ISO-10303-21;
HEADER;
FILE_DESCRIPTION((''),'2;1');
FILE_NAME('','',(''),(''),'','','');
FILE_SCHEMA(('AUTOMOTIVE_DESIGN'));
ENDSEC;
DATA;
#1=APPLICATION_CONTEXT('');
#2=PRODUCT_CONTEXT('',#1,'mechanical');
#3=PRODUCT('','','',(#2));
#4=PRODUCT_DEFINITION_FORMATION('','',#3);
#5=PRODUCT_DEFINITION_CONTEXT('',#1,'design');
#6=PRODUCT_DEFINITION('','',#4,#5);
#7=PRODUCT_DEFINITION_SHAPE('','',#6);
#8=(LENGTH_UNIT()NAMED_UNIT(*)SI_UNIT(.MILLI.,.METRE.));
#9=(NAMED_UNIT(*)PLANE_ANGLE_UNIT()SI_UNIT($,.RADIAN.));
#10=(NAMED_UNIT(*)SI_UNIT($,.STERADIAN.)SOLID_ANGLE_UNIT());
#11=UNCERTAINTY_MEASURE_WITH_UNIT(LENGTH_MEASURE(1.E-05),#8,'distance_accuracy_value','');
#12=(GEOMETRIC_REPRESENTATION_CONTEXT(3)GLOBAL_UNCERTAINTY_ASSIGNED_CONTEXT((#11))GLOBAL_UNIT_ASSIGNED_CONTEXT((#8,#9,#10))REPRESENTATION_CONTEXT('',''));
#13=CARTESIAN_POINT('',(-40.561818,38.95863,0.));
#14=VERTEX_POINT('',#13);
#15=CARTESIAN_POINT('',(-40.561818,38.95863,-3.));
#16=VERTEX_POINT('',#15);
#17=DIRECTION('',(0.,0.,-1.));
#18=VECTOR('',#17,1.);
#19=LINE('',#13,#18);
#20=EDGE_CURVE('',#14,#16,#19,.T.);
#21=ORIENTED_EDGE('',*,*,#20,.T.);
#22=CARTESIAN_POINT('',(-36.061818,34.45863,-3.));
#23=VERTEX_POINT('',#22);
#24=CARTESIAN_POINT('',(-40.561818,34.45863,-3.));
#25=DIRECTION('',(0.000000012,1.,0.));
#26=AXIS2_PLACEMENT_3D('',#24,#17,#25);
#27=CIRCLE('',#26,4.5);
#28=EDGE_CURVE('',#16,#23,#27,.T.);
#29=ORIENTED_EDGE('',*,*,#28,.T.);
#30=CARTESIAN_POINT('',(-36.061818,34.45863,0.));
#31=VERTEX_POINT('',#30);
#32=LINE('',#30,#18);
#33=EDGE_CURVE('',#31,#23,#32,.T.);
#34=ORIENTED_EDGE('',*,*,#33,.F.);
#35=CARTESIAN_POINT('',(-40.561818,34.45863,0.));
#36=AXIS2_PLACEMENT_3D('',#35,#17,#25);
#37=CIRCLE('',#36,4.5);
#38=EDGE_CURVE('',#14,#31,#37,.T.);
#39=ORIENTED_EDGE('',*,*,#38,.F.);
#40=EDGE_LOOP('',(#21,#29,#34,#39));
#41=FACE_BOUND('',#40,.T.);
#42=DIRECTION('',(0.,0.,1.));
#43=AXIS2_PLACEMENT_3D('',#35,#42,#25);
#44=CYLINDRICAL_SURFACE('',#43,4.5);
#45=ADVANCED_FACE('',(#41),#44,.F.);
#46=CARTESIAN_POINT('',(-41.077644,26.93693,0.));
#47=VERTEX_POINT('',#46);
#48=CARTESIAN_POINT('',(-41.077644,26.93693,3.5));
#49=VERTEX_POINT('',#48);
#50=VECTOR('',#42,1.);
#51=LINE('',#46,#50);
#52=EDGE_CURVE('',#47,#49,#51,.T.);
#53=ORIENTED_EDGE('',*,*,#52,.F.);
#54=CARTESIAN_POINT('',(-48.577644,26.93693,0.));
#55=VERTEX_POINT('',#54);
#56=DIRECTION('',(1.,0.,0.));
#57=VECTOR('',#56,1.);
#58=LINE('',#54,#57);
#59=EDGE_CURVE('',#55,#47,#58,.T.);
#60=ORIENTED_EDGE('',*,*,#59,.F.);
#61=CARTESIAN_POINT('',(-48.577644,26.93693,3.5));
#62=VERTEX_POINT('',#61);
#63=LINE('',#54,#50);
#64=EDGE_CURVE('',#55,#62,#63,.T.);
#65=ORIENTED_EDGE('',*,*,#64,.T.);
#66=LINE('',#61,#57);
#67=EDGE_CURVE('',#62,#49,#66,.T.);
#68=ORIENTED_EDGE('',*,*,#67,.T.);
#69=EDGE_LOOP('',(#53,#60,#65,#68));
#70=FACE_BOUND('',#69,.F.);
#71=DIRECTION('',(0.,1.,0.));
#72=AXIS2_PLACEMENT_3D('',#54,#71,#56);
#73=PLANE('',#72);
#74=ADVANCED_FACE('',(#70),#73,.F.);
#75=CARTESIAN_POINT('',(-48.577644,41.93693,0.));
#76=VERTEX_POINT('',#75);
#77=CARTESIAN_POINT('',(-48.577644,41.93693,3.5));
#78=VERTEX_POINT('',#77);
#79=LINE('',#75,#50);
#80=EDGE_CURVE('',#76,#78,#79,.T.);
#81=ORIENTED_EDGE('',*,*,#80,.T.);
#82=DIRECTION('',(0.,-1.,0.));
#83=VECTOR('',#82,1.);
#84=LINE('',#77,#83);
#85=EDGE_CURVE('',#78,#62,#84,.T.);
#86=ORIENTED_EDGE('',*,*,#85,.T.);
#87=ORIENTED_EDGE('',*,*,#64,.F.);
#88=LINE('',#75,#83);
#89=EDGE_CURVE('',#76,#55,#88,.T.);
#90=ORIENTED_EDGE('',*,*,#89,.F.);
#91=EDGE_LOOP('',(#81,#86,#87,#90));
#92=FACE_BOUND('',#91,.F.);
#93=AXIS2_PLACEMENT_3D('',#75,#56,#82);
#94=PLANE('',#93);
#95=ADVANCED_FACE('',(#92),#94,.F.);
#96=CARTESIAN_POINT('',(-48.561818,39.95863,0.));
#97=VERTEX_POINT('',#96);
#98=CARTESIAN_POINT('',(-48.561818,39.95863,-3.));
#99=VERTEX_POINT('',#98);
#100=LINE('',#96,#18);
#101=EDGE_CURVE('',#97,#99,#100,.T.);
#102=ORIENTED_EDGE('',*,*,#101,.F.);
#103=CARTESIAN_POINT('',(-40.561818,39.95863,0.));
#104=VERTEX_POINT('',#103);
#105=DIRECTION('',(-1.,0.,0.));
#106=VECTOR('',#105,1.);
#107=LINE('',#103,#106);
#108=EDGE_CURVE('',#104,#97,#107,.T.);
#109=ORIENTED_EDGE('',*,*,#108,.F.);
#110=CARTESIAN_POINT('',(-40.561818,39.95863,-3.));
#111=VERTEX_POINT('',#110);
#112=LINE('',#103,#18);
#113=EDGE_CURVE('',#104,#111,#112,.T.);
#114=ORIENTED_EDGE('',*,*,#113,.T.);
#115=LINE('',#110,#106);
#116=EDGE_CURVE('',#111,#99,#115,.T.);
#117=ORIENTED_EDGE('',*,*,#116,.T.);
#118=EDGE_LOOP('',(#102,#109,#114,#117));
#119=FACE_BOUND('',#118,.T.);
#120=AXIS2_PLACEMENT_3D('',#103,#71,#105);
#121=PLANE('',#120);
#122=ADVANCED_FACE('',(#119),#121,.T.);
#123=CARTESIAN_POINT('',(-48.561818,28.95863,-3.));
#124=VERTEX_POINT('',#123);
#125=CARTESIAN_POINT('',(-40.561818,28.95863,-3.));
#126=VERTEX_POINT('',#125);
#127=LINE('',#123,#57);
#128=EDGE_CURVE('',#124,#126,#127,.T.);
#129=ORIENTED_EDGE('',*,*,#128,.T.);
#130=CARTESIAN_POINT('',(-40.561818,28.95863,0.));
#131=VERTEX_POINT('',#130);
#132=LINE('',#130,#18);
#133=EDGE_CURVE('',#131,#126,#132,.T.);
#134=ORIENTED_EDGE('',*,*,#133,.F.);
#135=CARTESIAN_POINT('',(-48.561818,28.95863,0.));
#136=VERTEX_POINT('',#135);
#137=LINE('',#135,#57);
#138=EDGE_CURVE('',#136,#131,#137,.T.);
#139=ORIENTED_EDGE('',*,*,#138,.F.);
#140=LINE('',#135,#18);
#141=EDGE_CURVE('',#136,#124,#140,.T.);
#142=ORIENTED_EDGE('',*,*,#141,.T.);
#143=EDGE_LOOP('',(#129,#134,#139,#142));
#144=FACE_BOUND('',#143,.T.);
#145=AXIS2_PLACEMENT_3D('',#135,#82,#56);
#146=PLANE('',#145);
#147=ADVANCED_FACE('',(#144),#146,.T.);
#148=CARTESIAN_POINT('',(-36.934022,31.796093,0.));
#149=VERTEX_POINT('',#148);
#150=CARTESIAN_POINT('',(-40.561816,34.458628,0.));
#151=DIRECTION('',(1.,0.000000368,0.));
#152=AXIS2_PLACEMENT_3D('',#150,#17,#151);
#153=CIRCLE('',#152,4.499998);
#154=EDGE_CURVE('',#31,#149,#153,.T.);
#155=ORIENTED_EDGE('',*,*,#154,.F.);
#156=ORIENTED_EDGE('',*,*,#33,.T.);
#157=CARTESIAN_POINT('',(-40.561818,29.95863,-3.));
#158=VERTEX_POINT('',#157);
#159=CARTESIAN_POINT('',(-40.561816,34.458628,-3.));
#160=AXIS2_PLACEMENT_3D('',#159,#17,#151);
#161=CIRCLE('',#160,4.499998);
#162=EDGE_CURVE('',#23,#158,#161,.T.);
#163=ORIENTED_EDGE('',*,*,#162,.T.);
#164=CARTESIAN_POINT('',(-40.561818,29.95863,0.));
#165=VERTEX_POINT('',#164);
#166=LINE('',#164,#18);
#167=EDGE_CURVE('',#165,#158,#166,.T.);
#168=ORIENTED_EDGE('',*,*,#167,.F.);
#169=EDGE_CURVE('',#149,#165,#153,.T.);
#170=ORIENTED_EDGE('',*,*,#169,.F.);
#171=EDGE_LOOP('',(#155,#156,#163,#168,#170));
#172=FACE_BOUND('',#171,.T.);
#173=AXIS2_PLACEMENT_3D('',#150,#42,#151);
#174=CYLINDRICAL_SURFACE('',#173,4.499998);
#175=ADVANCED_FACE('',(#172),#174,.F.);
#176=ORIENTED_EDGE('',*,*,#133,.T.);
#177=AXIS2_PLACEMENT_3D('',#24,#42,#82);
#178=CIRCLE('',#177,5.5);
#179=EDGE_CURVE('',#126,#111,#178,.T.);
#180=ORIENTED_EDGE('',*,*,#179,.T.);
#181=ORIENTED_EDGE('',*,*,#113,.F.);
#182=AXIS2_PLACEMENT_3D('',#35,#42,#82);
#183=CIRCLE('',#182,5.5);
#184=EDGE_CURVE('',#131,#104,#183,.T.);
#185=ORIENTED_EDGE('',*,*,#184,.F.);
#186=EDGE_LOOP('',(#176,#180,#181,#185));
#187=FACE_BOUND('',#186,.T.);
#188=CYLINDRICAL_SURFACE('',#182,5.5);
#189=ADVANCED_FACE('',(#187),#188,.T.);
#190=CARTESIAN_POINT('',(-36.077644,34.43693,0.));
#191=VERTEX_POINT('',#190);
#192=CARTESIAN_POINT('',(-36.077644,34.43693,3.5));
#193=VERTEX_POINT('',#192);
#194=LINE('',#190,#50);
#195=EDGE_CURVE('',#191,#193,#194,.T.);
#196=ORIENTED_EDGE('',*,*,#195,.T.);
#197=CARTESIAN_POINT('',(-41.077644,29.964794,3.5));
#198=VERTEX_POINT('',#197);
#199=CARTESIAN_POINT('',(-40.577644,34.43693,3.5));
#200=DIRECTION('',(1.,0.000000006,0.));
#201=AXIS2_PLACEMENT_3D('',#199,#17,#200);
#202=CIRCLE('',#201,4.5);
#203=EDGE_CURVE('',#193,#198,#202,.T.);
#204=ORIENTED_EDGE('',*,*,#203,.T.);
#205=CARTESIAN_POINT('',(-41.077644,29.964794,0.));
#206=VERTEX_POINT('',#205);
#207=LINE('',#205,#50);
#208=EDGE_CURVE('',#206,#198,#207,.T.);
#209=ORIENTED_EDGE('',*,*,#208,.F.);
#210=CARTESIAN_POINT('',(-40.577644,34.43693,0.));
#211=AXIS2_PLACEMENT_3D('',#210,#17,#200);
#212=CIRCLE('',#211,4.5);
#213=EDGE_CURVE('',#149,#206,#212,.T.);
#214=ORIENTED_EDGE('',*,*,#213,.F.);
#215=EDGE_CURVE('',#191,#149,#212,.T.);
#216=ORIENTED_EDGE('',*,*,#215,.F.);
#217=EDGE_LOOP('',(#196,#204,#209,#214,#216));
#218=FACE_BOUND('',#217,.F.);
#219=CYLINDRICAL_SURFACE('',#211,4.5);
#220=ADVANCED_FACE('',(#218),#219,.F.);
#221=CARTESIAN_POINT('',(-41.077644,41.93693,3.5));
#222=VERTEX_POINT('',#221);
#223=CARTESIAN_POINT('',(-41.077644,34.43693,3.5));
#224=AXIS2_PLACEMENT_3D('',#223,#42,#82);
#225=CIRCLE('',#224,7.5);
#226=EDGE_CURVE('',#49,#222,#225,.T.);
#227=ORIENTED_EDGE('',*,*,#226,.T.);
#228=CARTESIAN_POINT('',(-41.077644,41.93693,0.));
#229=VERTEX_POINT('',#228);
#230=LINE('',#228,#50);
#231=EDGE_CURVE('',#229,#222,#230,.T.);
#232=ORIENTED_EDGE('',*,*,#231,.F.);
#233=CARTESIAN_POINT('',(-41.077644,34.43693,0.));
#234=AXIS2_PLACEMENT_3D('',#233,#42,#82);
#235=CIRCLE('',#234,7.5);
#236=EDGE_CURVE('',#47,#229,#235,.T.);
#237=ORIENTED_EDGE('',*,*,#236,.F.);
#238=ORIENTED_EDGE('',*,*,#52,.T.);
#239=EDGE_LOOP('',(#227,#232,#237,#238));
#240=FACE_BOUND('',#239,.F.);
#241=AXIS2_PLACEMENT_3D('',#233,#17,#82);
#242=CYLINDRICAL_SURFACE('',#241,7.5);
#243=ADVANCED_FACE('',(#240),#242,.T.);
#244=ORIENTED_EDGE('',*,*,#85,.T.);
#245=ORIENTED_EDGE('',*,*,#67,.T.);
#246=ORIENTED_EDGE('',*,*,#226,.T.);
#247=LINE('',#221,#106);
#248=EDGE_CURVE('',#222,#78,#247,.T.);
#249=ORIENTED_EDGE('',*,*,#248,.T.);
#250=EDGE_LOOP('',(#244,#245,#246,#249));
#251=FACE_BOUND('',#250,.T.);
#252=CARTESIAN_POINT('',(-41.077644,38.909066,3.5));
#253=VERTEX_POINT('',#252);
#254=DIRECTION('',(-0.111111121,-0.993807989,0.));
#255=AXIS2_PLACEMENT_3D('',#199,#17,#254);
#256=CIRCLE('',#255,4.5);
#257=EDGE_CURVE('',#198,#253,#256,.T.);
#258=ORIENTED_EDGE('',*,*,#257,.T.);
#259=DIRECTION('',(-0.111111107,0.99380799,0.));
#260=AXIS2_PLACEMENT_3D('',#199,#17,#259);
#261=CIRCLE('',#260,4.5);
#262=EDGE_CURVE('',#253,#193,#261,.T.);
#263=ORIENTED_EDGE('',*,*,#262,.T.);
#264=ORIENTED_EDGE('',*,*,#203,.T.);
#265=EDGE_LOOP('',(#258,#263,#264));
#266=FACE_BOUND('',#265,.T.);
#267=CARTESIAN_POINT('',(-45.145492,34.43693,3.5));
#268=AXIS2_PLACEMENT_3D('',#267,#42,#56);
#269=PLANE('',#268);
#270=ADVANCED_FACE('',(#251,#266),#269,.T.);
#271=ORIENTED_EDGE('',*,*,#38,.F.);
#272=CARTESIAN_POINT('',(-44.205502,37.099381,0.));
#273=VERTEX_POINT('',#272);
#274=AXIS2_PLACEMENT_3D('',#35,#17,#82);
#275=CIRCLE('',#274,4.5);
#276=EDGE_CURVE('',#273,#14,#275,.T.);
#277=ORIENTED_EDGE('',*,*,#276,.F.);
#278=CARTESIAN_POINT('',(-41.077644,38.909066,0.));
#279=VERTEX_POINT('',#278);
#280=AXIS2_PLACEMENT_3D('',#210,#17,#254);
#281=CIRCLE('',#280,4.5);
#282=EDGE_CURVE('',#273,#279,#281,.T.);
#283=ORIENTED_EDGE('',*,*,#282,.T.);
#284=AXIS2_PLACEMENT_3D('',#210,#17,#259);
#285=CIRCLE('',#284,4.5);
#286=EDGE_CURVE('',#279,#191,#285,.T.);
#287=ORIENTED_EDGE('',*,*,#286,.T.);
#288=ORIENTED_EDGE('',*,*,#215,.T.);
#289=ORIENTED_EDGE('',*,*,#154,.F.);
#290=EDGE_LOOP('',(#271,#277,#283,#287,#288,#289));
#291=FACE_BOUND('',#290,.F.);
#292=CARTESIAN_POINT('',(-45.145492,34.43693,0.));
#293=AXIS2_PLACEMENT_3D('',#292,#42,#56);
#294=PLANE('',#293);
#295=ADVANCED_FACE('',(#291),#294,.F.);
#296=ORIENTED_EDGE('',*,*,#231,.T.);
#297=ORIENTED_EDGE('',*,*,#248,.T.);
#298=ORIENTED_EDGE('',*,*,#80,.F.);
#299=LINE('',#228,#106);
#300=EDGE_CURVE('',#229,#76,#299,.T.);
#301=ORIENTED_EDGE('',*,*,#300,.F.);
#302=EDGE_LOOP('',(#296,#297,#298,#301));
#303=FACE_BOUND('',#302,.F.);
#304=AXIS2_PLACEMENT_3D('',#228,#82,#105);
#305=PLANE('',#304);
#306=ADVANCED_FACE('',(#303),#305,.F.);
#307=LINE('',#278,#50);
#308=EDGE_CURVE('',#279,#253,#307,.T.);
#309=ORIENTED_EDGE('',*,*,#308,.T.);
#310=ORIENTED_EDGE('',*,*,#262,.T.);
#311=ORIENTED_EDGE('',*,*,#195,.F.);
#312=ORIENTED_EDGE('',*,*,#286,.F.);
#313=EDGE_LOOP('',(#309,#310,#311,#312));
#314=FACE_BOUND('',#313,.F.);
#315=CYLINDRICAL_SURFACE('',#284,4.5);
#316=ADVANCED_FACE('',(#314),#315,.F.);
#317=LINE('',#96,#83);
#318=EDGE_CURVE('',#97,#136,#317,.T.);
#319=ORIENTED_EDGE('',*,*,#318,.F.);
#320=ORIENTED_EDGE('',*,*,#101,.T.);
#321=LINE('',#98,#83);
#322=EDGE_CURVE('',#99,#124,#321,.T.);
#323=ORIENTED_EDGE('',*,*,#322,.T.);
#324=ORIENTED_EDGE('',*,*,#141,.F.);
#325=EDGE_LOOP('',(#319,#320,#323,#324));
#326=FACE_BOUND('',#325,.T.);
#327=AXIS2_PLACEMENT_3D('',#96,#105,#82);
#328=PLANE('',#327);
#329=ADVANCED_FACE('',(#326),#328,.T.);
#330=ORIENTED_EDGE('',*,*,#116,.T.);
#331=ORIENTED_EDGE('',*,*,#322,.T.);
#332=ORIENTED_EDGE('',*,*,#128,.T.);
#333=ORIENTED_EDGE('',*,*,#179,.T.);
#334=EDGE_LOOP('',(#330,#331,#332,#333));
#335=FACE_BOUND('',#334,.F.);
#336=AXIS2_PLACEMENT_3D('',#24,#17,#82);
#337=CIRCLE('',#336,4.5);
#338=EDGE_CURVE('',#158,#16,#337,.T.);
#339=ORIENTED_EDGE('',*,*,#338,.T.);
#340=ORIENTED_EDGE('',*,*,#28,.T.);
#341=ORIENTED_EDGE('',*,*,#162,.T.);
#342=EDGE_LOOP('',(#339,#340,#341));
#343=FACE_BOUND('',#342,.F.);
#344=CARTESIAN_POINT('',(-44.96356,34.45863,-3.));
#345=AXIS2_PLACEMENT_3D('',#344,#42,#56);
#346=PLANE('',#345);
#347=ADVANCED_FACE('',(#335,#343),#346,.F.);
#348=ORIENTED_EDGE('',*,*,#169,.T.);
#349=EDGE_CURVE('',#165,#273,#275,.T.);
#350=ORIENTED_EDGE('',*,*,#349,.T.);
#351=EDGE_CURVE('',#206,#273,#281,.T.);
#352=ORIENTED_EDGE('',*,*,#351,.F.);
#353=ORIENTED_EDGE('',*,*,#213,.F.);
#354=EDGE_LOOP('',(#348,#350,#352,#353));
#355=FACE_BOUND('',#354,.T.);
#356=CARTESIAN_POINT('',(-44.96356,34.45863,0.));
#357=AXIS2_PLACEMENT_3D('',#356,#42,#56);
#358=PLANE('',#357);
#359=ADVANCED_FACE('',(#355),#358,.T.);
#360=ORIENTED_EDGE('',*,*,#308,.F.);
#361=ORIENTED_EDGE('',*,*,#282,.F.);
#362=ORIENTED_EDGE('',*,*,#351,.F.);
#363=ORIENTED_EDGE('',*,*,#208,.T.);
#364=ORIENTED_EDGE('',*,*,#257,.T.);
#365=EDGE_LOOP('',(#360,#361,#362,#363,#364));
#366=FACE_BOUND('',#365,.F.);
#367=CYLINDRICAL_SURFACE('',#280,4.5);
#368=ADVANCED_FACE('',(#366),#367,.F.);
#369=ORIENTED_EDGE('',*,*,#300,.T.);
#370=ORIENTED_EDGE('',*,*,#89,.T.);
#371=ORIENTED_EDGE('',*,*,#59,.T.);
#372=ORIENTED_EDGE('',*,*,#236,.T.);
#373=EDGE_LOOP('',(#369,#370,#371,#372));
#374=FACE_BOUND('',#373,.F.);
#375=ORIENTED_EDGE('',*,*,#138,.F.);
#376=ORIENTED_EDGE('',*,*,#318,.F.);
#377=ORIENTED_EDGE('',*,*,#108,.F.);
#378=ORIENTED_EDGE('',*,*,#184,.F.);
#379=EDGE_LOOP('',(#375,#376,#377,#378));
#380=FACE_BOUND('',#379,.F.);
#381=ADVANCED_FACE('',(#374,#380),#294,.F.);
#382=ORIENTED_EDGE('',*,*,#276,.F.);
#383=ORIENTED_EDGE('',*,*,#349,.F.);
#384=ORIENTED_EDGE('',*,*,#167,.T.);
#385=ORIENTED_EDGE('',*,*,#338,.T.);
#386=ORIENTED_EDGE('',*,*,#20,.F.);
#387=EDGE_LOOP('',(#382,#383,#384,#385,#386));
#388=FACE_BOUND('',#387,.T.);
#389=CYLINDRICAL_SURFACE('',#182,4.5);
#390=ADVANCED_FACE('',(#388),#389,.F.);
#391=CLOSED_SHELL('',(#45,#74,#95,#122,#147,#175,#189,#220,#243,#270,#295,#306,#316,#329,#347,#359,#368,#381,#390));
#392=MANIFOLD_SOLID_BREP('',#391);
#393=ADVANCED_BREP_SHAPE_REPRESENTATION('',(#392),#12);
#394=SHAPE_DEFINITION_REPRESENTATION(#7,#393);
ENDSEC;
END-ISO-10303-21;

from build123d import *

# Parameters (mm, degrees)
F1_DEPTH = 3.5
F3_DEPTH = 3


with BuildPart() as f1:
    # F0 (on Top) → F1 (new body)
    with BuildSketch(Plane.XY):
        with BuildLine():
            Line((-41.077644, 41.93693), (-48.577644, 41.93693))
            Line((-48.577644, 41.93693), (-48.577644, 26.93693))
            Line((-48.577644, 26.93693), (-41.077644, 26.93693))
            Line((-41.077644, 26.93693), (-41.077644, 29.964794))
            ThreePointArc((-41.077644, 29.964794), (-45.077644, 34.43693), (-41.077644, 38.909066))
            Line((-41.077644, 38.909066), (-41.077644, 41.93693))
        make_face()
        with BuildLine():
            ThreePointArc((-41.077644, 26.93693), (-33.577644, 34.43693), (-41.077644, 41.93693))
            Line((-41.077644, 41.93693), (-41.077644, 38.909066))
            ThreePointArc((-41.077644, 38.909066), (-37.577644, 37.791032), (-36.077644, 34.43693))
            ThreePointArc((-36.077644, 34.43693), (-37.577644, 31.082828), (-41.077644, 29.964794))
            Line((-41.077644, 29.964794), (-41.077644, 26.93693))
        make_face()
    extrude(amount=F1_DEPTH)

    # F2 (on Top) → F3 (join)
    with BuildSketch(Plane.XY):
        with BuildLine():
            Line((-40.561818, 39.95863), (-48.561818, 39.95863))
            Line((-48.561818, 39.95863), (-48.561818, 28.95863))
            Line((-48.561818, 28.95863), (-40.561818, 28.95863))
            Line((-40.561818, 28.95863), (-40.561818, 29.95863))
            ThreePointArc((-40.561818, 29.95863), (-45.061818, 34.45863), (-40.561818, 38.95863))
            Line((-40.561818, 38.95863), (-40.561818, 39.95863))
        make_face()
        with BuildLine():
            ThreePointArc((-40.561818, 28.95863), (-35.061818, 34.45863), (-40.561818, 39.95863))
            Line((-40.561818, 39.95863), (-40.561818, 38.95863))
            ThreePointArc((-40.561818, 38.95863), (-37.379837, 37.64061), (-36.061818, 34.45863))
            ThreePointArc((-36.061818, 34.45863), (-37.379837, 31.276649), (-40.561818, 29.95863))
            Line((-40.561818, 29.95863), (-40.561818, 28.95863))
        make_face()
    extrude(amount=-F3_DEPTH)


solid = f1.part
